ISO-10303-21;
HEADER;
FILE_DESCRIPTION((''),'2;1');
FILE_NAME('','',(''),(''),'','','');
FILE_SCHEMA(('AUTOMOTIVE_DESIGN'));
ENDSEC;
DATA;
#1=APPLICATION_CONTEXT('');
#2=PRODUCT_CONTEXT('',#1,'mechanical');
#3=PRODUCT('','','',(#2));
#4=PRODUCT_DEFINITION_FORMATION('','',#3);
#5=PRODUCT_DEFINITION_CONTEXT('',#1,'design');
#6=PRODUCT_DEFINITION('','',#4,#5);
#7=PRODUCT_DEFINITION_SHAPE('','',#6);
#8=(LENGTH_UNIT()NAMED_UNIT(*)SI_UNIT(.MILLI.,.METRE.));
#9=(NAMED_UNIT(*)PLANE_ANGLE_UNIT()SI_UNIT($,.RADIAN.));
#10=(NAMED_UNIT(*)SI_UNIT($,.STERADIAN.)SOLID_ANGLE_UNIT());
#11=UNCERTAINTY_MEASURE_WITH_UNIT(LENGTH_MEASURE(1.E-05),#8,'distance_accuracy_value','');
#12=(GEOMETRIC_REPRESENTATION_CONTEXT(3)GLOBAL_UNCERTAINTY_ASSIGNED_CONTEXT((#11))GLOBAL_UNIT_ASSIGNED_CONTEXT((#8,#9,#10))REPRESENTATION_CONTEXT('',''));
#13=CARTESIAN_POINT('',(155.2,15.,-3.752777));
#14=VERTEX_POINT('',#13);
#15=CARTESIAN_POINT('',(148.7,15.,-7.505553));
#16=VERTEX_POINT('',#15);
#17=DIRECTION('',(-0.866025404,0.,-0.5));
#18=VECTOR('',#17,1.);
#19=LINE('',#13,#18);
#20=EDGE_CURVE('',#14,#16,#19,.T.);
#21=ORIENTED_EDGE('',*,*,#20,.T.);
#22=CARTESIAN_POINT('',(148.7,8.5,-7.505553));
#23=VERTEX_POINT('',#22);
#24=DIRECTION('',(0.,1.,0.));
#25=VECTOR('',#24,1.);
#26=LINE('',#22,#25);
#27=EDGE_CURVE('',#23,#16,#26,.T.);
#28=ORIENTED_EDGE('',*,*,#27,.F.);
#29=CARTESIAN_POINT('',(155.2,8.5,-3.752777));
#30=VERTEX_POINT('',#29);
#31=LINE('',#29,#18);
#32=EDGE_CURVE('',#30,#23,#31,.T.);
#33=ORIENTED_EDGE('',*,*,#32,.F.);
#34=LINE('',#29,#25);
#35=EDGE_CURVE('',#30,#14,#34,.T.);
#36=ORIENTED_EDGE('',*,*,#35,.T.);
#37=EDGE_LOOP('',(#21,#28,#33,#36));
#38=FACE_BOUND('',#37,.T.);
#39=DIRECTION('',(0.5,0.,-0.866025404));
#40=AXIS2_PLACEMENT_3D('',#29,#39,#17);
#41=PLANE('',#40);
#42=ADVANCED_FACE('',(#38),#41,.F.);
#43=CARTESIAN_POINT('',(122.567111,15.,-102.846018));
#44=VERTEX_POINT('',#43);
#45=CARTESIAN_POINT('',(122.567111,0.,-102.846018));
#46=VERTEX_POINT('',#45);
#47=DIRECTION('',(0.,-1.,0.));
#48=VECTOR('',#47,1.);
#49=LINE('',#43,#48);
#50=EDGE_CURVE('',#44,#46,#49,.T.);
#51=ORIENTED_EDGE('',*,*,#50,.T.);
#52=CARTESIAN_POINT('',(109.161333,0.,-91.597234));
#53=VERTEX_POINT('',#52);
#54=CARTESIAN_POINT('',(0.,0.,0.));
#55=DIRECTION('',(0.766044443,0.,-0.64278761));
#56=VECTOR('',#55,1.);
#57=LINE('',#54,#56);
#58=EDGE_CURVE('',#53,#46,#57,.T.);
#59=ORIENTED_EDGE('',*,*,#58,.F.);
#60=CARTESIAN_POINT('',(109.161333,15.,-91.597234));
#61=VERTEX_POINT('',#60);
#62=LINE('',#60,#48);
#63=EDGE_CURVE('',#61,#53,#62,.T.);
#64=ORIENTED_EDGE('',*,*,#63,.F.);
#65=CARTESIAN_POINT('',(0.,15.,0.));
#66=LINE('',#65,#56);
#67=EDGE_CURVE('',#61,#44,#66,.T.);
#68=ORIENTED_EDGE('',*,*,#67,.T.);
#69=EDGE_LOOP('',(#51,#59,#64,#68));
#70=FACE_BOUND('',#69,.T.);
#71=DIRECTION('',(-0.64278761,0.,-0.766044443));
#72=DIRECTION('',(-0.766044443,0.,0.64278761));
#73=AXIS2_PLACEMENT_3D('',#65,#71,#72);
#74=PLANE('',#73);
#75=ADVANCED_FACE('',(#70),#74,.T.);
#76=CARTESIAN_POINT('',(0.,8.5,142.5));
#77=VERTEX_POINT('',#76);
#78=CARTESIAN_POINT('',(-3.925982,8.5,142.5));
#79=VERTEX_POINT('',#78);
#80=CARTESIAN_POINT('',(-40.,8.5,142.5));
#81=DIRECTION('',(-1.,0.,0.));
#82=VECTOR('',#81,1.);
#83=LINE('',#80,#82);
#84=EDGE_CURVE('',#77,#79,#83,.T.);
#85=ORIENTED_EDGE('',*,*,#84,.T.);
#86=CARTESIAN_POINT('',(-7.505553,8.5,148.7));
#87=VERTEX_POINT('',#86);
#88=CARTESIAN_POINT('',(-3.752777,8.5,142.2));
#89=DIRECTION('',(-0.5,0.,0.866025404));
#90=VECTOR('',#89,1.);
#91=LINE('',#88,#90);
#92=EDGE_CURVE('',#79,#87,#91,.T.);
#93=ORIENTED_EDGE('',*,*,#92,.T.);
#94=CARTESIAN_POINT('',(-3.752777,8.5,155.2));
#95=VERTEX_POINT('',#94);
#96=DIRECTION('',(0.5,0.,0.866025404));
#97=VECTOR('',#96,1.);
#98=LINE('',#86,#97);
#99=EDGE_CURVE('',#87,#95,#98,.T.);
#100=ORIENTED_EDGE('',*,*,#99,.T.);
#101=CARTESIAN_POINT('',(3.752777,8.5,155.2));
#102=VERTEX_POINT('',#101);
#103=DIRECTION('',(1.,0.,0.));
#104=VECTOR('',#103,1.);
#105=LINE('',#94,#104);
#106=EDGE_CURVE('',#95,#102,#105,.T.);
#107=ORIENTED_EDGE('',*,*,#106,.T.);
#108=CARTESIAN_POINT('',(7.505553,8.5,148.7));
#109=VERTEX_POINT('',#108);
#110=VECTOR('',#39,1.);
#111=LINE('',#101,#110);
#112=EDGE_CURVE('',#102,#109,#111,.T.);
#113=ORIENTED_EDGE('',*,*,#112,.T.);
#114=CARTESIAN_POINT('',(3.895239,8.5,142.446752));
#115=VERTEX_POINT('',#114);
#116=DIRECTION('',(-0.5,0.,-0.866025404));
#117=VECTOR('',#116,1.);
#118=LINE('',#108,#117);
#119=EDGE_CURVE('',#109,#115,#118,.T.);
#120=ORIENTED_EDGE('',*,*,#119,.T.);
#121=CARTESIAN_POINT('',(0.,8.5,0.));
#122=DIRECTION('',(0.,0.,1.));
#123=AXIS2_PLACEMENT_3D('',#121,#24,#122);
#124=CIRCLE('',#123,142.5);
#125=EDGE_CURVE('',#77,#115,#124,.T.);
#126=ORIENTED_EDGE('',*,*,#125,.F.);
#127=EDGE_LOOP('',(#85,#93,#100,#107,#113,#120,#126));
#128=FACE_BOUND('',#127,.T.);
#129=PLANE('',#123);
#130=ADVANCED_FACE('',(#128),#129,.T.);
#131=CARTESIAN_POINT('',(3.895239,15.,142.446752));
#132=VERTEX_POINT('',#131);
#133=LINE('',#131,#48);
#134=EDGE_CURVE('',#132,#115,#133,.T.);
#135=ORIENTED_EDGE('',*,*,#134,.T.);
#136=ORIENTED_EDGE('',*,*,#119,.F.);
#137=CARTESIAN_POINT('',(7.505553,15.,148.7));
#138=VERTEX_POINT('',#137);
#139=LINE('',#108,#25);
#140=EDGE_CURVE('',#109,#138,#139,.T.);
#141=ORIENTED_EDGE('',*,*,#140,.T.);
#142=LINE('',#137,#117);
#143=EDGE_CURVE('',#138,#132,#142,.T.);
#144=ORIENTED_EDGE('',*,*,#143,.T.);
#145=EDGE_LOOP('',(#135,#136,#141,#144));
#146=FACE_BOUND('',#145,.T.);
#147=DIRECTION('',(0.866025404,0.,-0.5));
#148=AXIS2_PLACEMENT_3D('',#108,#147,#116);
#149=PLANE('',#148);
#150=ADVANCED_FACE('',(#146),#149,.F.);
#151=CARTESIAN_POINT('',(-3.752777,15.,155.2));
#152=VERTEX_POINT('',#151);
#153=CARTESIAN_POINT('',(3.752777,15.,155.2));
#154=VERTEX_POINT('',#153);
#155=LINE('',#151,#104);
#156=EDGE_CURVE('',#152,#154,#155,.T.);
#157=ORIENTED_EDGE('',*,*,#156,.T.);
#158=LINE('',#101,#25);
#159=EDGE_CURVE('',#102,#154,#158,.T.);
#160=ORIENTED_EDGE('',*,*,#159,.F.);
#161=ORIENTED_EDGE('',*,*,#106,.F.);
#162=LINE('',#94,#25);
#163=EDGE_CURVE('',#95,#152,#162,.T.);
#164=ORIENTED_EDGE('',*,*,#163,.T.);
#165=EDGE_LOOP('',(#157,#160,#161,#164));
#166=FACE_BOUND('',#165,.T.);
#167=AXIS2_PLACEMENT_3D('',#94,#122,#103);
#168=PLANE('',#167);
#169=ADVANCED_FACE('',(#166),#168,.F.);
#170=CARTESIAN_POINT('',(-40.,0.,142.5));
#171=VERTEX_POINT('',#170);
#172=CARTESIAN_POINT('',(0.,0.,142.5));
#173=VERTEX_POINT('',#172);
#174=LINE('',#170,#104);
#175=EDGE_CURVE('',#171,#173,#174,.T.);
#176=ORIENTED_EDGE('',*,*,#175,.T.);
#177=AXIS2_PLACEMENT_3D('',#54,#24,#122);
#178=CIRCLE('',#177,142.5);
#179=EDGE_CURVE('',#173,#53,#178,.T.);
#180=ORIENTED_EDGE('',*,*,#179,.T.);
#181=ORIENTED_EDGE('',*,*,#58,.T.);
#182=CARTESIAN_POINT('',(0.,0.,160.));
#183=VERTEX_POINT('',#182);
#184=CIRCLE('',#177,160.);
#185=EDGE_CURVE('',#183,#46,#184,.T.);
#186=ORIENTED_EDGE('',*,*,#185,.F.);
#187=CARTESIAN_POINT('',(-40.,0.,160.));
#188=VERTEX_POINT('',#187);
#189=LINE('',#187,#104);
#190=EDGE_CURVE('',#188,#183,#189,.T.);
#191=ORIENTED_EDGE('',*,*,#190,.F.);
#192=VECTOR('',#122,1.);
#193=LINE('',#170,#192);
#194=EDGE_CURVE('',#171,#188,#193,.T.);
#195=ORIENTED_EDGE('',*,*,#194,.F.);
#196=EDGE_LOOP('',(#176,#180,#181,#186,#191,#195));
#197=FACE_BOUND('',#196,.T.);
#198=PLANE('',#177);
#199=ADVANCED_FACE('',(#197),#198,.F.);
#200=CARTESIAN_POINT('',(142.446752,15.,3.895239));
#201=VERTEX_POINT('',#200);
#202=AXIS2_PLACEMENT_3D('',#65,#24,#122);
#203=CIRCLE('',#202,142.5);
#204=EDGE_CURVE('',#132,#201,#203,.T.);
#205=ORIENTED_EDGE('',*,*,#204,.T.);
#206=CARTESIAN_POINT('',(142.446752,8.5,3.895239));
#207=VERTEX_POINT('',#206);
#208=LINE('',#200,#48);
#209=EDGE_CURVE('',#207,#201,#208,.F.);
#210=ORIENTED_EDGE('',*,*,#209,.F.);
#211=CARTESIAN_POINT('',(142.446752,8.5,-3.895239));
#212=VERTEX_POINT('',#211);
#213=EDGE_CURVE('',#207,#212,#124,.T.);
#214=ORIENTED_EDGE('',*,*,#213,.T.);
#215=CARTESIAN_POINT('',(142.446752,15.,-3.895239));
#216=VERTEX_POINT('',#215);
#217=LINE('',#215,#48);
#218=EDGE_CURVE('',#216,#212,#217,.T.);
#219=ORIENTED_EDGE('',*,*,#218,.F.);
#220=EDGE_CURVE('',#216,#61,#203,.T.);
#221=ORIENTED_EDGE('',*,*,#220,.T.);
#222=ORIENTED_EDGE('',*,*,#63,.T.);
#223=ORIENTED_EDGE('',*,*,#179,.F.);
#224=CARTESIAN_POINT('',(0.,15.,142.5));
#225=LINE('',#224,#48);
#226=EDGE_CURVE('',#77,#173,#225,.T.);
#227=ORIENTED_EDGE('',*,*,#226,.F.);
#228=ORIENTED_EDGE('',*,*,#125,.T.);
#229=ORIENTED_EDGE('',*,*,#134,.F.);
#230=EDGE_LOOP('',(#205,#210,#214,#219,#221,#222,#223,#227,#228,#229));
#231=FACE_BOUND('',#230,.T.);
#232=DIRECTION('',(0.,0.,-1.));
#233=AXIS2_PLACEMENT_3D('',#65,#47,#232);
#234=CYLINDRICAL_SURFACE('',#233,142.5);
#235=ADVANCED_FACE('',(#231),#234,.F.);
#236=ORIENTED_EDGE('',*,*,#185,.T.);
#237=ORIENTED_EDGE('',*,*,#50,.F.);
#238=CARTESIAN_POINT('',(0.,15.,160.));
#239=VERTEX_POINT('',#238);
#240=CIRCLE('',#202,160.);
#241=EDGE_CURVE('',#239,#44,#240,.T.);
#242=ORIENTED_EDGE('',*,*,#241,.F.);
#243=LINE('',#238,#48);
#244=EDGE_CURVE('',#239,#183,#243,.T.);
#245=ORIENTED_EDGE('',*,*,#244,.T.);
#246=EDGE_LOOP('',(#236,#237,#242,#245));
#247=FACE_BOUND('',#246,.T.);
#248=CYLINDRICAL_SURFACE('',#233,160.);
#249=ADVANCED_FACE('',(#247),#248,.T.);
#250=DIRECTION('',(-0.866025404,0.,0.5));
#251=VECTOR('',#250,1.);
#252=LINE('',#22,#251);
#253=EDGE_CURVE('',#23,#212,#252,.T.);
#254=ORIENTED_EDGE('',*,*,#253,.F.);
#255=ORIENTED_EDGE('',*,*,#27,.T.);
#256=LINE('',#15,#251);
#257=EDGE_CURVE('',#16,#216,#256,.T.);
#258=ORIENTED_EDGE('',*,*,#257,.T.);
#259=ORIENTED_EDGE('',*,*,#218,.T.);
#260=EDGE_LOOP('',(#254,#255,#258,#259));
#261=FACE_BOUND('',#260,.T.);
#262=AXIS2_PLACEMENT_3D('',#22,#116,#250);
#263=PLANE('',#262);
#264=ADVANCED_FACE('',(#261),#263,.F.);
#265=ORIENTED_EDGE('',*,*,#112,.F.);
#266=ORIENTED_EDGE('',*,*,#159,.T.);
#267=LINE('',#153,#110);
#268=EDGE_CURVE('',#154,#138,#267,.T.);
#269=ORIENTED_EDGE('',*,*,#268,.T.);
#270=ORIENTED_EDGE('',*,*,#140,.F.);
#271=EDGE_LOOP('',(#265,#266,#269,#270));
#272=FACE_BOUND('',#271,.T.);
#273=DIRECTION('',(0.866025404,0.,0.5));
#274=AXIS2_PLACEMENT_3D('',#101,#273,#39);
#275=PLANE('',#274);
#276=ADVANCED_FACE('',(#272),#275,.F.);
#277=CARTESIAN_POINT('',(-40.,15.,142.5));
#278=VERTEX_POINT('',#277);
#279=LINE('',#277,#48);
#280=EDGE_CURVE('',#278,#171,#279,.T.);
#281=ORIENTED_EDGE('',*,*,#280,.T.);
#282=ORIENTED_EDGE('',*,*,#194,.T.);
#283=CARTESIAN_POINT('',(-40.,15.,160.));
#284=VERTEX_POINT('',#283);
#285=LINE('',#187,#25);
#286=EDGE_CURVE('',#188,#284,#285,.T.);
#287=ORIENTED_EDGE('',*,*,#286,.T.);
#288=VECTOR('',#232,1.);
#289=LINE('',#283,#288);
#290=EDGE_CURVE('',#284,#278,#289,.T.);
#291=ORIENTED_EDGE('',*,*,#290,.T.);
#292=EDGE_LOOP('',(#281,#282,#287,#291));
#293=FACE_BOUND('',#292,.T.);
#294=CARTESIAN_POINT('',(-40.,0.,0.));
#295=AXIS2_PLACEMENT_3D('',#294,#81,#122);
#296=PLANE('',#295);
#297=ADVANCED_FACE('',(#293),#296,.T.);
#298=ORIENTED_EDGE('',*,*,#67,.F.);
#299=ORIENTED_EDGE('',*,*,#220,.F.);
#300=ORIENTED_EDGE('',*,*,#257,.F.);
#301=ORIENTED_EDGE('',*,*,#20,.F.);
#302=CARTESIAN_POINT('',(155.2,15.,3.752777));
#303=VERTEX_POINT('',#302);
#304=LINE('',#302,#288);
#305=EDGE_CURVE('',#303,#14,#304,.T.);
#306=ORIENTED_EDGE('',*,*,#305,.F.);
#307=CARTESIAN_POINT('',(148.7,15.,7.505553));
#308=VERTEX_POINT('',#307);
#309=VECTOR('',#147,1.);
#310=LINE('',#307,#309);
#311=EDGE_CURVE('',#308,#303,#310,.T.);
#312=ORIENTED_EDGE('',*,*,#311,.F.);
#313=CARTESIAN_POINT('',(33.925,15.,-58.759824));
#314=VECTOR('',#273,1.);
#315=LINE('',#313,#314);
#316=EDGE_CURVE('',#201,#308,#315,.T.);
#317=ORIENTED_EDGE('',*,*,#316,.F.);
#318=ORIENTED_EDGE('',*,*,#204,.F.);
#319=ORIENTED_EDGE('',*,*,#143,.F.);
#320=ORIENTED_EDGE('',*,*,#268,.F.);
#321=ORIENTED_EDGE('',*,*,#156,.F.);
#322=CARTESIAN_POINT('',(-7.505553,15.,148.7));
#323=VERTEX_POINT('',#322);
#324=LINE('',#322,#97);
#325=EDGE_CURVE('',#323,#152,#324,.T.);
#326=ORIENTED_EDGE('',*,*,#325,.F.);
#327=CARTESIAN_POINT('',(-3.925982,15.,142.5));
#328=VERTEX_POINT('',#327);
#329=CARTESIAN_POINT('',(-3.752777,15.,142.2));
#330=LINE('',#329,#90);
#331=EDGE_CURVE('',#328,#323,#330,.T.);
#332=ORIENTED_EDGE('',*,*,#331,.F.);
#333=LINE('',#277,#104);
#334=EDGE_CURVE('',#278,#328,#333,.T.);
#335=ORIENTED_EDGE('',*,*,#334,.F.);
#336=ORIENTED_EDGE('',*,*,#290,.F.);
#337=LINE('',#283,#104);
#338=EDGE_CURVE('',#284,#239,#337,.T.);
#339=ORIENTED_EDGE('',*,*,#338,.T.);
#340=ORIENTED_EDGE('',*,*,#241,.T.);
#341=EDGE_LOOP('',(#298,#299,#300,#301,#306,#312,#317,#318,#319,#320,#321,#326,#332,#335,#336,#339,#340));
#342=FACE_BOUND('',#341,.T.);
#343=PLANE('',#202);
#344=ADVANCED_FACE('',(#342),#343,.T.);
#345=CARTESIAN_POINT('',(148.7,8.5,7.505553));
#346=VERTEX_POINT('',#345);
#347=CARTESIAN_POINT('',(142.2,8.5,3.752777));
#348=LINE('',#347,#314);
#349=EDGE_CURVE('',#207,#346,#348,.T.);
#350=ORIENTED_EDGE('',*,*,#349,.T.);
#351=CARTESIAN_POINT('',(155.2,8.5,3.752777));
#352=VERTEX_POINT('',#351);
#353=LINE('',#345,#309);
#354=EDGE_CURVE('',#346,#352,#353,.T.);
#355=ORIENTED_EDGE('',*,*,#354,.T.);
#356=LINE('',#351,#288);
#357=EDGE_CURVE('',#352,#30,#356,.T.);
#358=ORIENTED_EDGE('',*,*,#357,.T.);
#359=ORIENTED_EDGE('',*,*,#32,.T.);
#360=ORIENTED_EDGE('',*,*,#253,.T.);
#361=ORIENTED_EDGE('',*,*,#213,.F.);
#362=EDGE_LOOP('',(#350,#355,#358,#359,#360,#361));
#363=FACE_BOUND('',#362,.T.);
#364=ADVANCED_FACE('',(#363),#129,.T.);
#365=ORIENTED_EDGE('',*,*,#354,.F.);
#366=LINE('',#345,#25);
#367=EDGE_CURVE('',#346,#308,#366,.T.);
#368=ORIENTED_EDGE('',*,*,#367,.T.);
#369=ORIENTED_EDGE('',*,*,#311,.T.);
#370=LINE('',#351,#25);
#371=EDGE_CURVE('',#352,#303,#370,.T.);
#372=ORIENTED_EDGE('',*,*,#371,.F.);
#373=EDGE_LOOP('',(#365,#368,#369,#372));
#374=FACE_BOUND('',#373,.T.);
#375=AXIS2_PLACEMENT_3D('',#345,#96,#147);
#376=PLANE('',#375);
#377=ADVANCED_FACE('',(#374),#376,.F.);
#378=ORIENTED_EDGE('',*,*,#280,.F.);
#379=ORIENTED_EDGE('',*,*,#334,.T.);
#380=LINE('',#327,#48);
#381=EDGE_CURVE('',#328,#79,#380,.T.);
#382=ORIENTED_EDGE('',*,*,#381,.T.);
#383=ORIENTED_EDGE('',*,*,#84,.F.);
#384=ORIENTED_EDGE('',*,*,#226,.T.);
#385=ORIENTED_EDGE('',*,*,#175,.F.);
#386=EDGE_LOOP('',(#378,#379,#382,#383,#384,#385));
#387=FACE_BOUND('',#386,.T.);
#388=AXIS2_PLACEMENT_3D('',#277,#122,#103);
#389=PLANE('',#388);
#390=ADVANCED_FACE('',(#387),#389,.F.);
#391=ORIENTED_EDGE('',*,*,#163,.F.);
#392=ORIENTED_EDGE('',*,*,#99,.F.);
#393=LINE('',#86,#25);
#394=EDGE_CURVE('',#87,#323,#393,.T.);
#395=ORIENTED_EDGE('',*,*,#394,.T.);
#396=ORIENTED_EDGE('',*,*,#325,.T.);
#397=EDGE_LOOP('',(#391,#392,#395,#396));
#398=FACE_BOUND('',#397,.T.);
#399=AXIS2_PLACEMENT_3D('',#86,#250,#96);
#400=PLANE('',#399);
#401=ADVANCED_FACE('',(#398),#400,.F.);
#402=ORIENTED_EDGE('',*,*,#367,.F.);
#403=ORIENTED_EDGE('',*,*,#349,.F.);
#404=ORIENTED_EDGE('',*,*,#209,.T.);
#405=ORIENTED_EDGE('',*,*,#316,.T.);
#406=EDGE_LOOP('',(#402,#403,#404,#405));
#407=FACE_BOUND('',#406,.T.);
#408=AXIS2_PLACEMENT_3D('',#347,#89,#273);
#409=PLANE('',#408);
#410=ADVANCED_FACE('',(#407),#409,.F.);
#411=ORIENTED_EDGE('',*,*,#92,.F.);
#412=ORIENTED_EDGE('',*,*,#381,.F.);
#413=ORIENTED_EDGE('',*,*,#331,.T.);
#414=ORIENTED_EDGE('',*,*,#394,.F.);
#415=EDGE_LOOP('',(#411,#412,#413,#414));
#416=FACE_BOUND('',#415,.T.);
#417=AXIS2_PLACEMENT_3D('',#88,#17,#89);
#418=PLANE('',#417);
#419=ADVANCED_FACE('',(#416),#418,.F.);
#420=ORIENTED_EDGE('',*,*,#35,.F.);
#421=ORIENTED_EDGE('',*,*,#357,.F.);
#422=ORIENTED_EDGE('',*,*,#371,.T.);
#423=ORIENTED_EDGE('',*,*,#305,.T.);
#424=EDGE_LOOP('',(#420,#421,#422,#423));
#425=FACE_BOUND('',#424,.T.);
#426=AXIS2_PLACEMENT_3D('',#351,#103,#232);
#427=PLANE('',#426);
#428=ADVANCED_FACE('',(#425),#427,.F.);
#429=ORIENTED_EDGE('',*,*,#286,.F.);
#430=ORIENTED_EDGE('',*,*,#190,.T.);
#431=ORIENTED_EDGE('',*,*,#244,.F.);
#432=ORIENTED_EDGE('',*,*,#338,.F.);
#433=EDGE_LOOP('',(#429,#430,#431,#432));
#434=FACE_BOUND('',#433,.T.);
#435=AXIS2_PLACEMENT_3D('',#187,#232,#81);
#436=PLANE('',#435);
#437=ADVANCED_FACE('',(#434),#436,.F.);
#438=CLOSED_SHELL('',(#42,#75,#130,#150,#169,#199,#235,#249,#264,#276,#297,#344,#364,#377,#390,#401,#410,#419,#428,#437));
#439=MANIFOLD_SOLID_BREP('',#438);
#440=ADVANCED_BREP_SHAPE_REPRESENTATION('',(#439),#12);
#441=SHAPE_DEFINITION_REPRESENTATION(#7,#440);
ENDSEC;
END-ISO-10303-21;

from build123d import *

# Parameters (mm, degrees)
BOSS_EXTRUDE1_DEPTH = 15
SKETCH2_W           = 17.5
SKETCH2_H           = 15
BOSS_EXTRUDE2_DEPTH = 40
CUT_EXTRUDE1_DEPTH  = 6.5


with BuildPart() as part:
    # Sketch1 → Boss-Extrude1 (new body)
    with BuildSketch(Plane(origin=(0, 0, 0), x_dir=(1, 0, 0), z_dir=(0, 1, 0))):
        with BuildLine():
            ThreePointArc((142.5, 0), (100.762716319, -100.762716319), (0, -142.5))
            Line((0, -142.5), (0, -160))
            ThreePointArc((0, -160), (113.13708499, -113.13708499), (160, 0))
            ThreePointArc((160, 0), (150.350819326, 54.723222932), (122.567110899, 102.84601755))
            Line((122.567110899, 102.84601755), (109.161333144, 91.59723438))
            ThreePointArc((109.161333144, 91.59723438), (133.906198462, 48.737870424), (142.5, 0))
        make_face()
    extrude(amount=BOSS_EXTRUDE1_DEPTH)

    # Sketch2 → Boss-Extrude2 (add)
    with BuildSketch(Plane.ZY):
        with Locations((151.25, 7.5)):
            Rectangle(SKETCH2_W, SKETCH2_H)
    extrude(amount=BOSS_EXTRUDE2_DEPTH)

    # Sketch3 → Cut-Extrude1 (cut)
    with BuildSketch(Plane(origin=(0, 15, 0), x_dir=(1, 0, 0), z_dir=(0, 1, 0))):
        Polygon((-3.75277675, -142.2), (-7.505553499, -148.7), (-3.75277675, -155.2), (3.75277675, -155.2), (7.505553499, -148.7), (3.75277675, -142.2), align=None)
        Polygon((142.2, 3.75277675), (142.2, -3.75277675), (148.7, -7.505553499), (155.2, -3.75277675), (155.2, 3.75277675), (148.7, 7.505553499), align=None)
    extrude(amount=-CUT_EXTRUDE1_DEPTH, mode=Mode.SUBTRACT)


solid = part.part
